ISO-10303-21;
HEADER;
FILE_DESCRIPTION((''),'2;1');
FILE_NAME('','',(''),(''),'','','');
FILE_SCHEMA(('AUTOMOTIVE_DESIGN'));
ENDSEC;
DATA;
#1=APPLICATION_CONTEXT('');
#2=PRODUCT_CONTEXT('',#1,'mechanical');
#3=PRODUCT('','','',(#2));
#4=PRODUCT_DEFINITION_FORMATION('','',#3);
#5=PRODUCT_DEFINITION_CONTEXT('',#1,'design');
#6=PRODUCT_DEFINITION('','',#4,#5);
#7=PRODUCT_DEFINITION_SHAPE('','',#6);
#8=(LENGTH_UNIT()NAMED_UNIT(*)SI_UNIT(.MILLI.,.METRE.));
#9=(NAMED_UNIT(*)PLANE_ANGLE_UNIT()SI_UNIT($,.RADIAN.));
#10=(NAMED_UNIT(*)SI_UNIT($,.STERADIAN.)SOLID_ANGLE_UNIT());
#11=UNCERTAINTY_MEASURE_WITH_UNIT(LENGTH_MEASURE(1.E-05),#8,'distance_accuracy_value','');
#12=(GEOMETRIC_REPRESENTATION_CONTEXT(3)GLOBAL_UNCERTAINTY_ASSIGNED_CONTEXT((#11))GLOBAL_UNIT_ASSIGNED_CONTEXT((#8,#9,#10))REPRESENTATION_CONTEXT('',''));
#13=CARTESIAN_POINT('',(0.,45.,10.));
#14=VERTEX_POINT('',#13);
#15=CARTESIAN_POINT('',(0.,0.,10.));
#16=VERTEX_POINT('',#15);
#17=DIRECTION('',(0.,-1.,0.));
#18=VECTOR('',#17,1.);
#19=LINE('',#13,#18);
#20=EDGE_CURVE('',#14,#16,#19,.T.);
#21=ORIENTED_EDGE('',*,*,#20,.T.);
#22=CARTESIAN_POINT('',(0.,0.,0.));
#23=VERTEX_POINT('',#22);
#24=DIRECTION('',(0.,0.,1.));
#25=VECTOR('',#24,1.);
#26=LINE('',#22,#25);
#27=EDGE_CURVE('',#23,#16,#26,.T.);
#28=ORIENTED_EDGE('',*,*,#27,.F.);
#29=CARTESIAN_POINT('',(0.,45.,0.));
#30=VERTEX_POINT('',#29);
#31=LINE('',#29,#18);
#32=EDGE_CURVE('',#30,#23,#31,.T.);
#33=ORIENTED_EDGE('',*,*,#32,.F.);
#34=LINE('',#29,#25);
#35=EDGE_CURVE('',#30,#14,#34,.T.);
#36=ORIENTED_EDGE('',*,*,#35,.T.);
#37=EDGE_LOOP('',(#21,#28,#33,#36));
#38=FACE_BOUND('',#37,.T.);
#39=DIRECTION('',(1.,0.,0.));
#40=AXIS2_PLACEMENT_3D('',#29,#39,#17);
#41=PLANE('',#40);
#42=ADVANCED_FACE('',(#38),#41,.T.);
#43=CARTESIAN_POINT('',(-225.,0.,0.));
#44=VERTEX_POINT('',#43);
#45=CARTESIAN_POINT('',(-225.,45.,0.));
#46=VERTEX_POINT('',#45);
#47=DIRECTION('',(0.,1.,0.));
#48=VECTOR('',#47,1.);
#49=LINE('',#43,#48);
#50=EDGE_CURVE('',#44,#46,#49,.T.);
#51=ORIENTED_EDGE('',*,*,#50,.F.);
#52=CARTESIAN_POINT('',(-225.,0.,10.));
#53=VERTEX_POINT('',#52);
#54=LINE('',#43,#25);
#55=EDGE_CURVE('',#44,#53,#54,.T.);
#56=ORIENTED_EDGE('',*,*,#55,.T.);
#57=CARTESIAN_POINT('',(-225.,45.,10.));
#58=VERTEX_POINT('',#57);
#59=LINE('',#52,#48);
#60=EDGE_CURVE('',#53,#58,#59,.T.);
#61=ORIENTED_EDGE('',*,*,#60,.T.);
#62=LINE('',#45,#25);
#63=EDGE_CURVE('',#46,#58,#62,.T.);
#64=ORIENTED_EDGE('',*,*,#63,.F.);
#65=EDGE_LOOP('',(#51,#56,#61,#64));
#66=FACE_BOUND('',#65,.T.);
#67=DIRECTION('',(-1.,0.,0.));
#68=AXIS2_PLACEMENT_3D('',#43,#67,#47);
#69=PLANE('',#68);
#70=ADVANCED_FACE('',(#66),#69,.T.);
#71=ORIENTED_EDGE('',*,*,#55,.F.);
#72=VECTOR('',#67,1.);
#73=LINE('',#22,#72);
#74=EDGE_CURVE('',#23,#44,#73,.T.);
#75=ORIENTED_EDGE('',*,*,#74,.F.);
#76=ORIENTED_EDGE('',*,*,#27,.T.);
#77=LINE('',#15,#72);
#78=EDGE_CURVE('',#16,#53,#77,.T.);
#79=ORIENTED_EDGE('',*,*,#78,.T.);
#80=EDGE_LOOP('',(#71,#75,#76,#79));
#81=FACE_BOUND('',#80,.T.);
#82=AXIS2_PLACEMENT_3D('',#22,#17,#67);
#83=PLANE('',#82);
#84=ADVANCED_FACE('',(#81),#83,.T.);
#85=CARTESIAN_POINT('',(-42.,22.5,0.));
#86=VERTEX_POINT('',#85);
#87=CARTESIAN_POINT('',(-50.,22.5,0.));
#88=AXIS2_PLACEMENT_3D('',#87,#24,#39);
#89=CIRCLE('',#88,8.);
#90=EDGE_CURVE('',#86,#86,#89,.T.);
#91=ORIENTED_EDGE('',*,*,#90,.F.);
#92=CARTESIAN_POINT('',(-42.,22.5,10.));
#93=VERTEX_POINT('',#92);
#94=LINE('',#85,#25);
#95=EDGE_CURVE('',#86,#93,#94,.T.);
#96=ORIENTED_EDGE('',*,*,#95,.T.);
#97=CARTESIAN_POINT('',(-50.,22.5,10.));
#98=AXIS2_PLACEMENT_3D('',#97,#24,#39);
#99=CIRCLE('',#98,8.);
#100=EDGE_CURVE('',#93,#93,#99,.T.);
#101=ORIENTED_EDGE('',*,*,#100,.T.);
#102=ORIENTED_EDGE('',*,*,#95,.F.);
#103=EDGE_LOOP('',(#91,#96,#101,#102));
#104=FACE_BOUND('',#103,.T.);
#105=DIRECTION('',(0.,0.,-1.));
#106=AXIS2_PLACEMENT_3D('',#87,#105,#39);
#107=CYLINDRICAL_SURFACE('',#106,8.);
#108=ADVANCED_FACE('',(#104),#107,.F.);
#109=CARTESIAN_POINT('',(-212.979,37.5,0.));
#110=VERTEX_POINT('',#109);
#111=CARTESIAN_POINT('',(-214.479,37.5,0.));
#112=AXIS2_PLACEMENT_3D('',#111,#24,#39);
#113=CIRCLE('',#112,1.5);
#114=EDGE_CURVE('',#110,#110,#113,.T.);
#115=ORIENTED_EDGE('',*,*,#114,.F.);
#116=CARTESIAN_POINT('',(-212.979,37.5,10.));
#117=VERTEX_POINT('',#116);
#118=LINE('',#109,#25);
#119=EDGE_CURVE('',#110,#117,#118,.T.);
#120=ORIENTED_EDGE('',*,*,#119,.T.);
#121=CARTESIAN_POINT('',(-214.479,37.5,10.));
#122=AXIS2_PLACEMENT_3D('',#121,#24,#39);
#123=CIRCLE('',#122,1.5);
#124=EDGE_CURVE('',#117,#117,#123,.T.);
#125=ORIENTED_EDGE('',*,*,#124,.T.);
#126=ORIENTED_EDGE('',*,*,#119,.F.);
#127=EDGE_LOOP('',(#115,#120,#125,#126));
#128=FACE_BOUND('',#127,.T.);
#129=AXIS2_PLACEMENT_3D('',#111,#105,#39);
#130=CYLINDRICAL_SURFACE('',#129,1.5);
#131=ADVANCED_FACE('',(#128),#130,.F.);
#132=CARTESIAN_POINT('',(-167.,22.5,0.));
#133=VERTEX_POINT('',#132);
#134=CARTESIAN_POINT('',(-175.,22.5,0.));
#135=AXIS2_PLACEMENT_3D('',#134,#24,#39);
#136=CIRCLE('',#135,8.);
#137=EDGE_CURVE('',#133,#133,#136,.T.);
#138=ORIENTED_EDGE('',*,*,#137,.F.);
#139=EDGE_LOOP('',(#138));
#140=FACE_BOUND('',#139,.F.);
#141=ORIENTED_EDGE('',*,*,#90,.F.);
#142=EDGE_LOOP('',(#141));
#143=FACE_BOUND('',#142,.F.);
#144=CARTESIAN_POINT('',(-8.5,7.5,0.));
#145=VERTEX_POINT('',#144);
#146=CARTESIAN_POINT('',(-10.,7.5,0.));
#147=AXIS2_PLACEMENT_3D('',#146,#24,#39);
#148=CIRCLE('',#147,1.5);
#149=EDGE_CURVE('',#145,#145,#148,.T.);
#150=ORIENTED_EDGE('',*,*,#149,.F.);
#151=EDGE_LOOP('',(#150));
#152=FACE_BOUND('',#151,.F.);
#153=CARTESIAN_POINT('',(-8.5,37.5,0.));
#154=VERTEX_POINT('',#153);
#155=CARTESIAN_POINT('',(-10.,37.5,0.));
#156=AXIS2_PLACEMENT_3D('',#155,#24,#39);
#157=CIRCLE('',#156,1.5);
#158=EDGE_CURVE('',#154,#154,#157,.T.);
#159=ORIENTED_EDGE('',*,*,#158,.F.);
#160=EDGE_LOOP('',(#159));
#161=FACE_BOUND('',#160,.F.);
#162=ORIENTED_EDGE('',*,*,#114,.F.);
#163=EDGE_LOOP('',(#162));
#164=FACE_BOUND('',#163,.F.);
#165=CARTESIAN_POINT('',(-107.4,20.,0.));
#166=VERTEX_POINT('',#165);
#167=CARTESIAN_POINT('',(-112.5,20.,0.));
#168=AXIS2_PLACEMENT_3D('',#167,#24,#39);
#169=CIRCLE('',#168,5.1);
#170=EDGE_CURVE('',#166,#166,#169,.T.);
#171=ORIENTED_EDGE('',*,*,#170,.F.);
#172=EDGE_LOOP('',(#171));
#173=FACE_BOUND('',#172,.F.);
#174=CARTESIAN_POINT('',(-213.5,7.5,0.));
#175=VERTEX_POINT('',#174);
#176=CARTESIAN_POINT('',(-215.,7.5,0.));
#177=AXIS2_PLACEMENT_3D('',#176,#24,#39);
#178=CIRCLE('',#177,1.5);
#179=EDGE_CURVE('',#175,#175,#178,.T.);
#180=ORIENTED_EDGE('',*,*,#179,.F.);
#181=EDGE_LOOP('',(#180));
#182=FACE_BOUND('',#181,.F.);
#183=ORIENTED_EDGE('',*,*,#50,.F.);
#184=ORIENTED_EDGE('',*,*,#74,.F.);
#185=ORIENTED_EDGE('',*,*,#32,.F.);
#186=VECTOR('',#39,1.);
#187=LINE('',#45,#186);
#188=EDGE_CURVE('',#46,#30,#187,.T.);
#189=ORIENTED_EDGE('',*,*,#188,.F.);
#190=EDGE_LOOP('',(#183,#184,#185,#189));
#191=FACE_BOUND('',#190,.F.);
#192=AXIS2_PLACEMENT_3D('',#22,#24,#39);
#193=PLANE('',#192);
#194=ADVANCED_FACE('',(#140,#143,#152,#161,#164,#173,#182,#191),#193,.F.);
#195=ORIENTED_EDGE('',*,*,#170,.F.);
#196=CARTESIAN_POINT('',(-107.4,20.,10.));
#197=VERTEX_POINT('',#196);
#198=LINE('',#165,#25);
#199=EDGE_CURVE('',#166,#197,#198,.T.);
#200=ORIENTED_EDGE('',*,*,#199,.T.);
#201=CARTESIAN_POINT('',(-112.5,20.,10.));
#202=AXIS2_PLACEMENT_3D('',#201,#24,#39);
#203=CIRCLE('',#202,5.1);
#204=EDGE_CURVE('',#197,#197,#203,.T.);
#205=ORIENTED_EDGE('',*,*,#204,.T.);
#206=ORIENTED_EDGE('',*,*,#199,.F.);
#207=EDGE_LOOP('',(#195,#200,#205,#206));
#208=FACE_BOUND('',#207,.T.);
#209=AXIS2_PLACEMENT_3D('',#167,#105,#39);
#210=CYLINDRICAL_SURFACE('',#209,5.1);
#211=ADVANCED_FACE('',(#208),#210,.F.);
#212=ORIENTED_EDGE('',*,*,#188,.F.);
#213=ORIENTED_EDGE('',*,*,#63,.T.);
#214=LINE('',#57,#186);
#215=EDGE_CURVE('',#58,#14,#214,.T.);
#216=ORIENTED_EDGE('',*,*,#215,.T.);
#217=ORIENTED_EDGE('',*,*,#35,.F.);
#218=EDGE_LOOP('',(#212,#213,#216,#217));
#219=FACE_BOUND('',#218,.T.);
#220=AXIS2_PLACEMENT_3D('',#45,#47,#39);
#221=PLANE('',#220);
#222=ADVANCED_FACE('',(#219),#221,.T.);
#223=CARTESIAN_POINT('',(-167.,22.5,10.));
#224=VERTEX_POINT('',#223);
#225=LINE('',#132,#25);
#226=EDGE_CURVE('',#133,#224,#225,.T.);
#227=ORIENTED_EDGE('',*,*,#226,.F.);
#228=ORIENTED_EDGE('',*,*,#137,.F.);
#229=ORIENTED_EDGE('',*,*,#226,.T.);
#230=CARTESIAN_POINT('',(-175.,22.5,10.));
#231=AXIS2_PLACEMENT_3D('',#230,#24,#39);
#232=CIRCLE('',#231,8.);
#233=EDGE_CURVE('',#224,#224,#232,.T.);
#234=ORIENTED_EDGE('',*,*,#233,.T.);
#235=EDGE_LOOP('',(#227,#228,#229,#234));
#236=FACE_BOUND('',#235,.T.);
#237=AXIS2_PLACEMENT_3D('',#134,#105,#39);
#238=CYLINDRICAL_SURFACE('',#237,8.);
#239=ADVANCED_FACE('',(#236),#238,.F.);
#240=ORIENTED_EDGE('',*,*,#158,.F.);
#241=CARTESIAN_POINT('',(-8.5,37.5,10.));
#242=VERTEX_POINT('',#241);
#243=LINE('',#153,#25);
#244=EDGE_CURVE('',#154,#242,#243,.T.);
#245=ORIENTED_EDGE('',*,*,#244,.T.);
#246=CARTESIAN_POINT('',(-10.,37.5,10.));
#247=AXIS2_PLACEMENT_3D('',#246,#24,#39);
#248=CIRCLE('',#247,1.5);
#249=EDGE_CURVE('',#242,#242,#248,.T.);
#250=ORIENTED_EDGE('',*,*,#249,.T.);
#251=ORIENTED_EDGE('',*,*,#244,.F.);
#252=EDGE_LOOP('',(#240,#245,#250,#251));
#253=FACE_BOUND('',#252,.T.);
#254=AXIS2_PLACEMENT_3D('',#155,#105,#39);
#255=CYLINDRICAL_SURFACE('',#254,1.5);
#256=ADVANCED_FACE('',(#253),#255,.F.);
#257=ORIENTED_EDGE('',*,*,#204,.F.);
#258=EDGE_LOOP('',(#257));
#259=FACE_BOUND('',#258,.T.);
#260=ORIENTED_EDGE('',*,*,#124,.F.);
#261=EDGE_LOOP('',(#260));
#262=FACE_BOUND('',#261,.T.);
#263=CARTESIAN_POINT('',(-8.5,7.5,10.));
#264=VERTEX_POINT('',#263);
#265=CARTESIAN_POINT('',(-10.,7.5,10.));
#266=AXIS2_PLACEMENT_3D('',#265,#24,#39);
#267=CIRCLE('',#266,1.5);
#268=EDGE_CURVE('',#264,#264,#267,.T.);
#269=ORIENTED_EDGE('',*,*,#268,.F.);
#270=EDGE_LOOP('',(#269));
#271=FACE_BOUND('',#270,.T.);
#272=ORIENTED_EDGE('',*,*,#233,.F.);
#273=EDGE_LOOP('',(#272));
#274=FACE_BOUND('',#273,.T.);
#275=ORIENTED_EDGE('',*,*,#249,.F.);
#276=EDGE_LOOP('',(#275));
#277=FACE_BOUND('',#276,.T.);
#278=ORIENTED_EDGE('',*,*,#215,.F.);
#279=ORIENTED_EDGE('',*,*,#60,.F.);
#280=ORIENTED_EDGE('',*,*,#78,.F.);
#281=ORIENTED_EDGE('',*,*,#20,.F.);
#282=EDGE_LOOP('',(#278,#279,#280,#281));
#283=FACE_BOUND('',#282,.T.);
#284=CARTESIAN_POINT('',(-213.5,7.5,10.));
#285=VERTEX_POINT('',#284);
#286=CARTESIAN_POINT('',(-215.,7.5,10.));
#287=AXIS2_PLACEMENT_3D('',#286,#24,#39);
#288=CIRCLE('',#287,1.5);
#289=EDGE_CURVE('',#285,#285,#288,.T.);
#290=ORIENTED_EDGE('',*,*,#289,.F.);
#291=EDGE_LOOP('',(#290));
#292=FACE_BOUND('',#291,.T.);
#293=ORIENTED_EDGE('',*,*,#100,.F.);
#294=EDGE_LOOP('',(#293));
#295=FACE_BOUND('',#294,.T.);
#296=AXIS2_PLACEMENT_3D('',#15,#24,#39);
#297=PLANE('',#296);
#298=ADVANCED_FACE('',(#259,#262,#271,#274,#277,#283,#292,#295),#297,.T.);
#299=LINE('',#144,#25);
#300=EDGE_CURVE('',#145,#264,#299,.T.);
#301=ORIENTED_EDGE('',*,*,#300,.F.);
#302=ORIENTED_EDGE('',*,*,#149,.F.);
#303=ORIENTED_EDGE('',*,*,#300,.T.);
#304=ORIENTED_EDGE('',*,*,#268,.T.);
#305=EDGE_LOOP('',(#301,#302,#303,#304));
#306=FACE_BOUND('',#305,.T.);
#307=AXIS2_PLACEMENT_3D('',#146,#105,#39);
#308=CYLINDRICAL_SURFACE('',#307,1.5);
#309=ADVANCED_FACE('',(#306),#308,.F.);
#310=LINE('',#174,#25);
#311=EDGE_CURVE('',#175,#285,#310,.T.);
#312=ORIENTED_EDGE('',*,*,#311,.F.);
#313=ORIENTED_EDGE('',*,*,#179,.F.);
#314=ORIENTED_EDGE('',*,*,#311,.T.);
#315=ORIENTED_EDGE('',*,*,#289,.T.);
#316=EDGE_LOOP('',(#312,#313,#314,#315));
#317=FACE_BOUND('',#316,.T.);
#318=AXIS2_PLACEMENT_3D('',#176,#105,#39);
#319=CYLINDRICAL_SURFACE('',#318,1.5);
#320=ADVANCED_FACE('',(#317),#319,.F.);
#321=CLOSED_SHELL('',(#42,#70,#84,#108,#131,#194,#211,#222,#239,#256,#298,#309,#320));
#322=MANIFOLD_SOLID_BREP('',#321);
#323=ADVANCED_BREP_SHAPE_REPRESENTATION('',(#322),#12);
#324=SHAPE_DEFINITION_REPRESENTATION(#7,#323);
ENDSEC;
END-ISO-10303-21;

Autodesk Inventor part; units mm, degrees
ref_plane "YZ Plane" through (0, 0, 0) normal (1, 0, 0) x (0, 1, 0)
ref_plane "XZ Plane" through (0, 0, 0) normal (0, 1, 0) x (-1, 0, 0)
ref_plane "XY Plane" through (0, 0, 0) normal (0, 0, 1) x (1, 0, 0)
sketch "Sketch1" plane through (0, 0, 0) normal (0, 0, 1) x (1, 0, 0)
  line L0 (0, 0) -> (-225, 0)
  line L1 (-225, 0) -> (-225, 45)
  line L2 (-225, 45) -> (0, 45)
  line L3 (0, 45) -> (0, 0)
  circle A0 centre (-10, 37.5) radius 1.5
  circle A1 centre (-10, 7.5) radius 1.5
  circle A2 centre (-214.479, 37.5) radius 1.5
  circle A3 centre (-215, 7.5) radius 1.5
  circle A4 centre (-112.5, 20) radius 5.1
  circle A5 centre (-175, 22.5) radius 8
  circle A6 centre (-50, 22.5) radius 8
  dimension "d0" = 45
  dimension "d1" = 225
  dimension "d2" = 30
  dimension "d3" = 3
  dimension "d4" = 3
  dimension "d5" = 7.5
  dimension "d6" = 7.5
  dimension "d7" = 3
  dimension "d8" = 3
  dimension "d9" = 30
  dimension "d10" = 10
  dimension "d11" = 10
  dimension "d14" = 16
  dimension "d15" = 16
  dimension "d16" = 22.5
  dimension "d17" = 22.5
  dimension "d18" = 50
  dimension "d19" = 50
  dimension "d20" = 10.2
  dimension "d21" = 25
  dimension "d22" = 112.5
extrude "Extrusion1" add sketch "Sketch1" along normal blind 10
equation "\"d6\" = d5"
equation "\"d7\" = d4"
equation "\"d8\" = d7"
equation "\"d9\" = d2"
equation "\"d16\" = 0.5 * d0"
equation "\"d17\" = 0.5 * d0"
equation "\"d22\" = 0.5 * d1"
properties part number "PlateHeatbed"
